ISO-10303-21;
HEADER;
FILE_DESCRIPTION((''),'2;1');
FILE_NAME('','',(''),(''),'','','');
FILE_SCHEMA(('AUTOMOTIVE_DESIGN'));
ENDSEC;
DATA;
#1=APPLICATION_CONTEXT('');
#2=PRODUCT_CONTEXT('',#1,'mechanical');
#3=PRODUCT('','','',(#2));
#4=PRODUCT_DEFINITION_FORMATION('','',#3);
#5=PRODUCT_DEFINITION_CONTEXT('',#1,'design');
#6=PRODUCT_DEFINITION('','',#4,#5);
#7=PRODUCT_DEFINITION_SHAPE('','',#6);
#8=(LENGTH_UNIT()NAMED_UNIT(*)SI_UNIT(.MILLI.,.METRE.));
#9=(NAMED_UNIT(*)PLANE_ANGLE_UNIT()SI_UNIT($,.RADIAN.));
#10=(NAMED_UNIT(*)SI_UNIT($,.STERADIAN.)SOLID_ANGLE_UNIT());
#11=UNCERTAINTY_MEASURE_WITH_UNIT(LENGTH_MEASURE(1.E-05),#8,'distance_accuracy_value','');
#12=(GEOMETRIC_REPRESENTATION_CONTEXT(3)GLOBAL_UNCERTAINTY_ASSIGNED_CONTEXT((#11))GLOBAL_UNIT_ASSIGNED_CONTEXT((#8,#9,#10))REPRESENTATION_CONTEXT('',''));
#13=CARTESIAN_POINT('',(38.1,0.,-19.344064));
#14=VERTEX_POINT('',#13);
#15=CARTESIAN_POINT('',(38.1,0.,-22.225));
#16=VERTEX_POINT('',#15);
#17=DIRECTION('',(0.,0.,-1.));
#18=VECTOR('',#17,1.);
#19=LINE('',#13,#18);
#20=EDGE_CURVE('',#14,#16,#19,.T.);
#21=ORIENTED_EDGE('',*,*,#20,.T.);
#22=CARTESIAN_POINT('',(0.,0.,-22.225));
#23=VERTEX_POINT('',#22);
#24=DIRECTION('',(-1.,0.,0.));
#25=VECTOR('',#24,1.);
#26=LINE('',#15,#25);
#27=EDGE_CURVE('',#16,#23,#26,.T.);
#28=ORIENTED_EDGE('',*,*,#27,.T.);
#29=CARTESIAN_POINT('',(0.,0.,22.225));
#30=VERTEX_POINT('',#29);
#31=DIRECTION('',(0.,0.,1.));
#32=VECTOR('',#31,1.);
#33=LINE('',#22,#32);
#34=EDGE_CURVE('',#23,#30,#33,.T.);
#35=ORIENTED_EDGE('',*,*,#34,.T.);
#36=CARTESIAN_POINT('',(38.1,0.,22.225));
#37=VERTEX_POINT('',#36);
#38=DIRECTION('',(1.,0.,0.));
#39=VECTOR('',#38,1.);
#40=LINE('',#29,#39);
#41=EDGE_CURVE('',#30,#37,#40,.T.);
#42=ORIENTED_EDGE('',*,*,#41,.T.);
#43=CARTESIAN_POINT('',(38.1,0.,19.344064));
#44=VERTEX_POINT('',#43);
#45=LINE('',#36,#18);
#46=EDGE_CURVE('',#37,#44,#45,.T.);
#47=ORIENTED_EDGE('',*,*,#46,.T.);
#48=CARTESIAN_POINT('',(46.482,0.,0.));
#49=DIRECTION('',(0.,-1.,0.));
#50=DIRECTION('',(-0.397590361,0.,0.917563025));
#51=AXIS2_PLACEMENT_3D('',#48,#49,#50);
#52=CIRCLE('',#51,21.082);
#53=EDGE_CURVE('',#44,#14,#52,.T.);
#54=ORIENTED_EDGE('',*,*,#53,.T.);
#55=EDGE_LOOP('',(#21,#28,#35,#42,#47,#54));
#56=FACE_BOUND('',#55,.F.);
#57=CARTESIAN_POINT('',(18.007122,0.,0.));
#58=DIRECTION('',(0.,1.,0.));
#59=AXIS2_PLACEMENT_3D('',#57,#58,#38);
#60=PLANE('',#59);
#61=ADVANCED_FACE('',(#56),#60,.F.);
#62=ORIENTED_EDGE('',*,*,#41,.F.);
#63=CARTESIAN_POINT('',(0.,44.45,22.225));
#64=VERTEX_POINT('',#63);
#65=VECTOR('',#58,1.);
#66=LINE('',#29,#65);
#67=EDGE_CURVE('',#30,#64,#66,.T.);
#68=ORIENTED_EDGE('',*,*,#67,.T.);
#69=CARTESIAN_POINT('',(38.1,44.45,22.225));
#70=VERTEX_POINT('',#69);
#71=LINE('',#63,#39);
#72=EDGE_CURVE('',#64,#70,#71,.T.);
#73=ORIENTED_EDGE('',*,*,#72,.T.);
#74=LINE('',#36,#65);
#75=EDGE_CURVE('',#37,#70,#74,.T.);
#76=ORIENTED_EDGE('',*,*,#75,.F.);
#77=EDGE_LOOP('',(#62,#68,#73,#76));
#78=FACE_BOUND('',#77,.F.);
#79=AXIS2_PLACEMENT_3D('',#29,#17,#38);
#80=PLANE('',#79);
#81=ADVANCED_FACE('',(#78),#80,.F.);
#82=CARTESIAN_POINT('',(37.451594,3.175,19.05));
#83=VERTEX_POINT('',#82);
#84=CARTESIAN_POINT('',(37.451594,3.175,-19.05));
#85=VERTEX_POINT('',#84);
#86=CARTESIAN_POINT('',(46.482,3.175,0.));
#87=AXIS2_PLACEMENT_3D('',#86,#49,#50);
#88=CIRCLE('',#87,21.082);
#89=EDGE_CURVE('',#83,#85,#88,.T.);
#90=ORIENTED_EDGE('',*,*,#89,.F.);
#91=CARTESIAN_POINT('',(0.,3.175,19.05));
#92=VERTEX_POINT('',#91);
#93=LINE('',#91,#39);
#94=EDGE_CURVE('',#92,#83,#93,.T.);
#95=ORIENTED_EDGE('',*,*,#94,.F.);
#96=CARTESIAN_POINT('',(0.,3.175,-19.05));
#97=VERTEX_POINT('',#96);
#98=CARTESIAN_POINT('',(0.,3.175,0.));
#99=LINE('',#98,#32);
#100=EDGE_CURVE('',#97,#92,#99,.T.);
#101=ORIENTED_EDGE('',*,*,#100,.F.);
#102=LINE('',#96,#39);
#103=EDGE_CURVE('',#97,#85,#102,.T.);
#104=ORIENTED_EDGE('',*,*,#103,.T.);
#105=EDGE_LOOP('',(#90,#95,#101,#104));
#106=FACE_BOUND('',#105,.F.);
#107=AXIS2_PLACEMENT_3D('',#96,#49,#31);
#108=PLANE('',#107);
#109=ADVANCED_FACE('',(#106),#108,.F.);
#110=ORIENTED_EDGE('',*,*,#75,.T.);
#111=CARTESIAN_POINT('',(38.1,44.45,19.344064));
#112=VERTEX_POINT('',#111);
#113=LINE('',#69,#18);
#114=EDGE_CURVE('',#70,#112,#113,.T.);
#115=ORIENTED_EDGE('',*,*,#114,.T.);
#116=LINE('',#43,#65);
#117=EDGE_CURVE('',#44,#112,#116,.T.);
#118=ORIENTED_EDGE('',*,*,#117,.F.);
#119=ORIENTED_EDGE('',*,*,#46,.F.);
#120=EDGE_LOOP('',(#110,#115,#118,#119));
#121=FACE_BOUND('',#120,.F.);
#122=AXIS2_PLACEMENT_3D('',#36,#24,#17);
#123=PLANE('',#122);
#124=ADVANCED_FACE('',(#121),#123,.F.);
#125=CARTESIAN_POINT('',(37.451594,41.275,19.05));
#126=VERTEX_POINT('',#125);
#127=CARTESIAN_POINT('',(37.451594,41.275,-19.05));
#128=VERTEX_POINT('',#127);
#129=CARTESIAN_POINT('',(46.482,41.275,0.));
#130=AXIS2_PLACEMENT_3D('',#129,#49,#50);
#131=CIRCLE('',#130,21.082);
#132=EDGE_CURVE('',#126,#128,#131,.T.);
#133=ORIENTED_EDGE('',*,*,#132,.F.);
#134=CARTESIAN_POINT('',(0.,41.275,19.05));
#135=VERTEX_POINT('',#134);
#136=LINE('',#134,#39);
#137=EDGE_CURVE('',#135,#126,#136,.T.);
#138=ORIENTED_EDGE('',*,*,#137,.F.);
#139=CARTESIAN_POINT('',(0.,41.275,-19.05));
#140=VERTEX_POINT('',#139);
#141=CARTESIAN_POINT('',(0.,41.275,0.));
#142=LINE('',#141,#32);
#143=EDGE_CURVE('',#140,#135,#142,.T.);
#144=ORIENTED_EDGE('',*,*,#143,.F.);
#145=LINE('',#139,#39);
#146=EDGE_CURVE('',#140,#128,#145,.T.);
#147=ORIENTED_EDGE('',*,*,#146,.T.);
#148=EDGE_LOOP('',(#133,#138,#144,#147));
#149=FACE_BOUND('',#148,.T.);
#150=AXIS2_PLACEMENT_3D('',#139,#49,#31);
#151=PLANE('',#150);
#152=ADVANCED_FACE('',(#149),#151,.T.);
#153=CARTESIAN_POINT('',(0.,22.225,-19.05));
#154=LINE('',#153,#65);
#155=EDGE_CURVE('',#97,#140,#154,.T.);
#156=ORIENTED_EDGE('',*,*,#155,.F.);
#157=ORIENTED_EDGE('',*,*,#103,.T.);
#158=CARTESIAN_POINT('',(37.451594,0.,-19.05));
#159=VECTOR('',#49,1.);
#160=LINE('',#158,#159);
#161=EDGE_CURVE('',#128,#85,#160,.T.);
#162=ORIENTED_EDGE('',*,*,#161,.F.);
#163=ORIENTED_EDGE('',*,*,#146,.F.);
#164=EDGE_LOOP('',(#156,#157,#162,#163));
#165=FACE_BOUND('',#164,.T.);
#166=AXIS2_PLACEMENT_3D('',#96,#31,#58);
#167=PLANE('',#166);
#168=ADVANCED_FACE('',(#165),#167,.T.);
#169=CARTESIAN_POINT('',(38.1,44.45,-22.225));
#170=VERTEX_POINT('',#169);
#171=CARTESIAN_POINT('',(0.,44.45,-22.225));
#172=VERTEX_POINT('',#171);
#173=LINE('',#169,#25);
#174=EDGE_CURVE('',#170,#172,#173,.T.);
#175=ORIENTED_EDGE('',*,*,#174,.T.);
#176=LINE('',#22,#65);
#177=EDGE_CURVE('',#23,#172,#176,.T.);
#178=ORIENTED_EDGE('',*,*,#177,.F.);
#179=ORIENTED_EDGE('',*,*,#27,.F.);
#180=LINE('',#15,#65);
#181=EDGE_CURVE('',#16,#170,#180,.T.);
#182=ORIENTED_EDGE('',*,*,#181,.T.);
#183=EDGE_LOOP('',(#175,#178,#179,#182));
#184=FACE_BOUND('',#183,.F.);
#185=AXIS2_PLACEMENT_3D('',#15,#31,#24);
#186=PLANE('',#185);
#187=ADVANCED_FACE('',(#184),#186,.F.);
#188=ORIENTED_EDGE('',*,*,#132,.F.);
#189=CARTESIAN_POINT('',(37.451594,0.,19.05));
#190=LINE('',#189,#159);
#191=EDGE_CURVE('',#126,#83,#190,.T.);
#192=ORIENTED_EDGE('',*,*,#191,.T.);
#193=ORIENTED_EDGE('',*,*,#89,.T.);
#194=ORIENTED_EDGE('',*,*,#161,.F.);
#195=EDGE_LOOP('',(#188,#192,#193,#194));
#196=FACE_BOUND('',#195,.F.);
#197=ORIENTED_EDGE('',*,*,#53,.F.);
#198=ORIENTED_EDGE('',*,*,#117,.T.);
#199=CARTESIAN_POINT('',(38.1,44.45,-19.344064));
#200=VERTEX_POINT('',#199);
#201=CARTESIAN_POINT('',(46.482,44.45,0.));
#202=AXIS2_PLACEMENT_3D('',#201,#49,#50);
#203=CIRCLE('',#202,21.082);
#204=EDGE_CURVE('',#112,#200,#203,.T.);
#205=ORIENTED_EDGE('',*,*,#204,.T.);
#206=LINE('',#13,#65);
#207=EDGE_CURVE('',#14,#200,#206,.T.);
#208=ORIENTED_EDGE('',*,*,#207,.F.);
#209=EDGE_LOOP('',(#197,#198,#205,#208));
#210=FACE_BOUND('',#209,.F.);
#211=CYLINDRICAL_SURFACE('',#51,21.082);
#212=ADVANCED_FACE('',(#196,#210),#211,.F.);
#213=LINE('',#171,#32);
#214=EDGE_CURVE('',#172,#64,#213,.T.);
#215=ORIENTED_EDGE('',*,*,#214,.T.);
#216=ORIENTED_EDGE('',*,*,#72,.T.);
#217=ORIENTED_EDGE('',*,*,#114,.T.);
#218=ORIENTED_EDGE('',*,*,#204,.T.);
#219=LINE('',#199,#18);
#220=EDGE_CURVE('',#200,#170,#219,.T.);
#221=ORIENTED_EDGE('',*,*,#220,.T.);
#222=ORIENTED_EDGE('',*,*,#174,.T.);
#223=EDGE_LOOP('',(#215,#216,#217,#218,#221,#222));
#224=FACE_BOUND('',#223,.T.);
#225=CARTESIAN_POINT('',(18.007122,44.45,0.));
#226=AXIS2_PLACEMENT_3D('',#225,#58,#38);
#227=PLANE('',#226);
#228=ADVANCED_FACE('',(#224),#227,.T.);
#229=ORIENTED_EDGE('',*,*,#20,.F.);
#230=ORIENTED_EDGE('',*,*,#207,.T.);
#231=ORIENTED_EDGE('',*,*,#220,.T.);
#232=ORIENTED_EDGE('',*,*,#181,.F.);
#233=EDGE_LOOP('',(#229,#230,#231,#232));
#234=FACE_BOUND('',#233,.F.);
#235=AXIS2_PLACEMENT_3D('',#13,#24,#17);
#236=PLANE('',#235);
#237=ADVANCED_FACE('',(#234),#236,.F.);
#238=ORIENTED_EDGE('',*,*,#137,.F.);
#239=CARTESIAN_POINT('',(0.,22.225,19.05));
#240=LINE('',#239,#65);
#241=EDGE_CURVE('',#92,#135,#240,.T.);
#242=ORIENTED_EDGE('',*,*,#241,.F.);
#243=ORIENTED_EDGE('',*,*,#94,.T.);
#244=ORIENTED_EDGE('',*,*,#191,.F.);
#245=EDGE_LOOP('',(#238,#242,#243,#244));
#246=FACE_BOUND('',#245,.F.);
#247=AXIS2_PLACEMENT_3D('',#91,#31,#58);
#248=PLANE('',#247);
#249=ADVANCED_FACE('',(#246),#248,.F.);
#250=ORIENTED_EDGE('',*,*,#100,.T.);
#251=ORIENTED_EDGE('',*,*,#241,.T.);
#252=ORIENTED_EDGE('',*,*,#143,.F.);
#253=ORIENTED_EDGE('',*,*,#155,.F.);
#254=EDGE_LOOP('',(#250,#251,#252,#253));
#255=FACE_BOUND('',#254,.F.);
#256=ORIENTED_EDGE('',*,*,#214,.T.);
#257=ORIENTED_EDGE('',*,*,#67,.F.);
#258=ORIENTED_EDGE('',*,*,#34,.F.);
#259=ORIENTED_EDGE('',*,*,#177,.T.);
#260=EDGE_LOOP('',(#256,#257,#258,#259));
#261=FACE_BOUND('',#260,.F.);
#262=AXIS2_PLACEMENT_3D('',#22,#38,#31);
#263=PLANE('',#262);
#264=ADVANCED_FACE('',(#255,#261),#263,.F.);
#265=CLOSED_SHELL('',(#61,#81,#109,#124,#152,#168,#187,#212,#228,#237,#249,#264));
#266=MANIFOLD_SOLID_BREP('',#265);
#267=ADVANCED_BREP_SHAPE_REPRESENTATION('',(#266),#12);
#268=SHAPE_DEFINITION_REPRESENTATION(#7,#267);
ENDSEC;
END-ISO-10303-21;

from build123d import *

# Parameters (mm, degrees)
BOSS_EXTRUDE1_DEPTH = 44.45
SKETCH2_W           = 38.1
SKETCH2_H           = 38.1
CUT_EXTRUDE1_DEPTH  = 39.1


with BuildPart() as part:
    # Sketch1 → Boss-Extrude1 (new body)
    with BuildSketch(Plane(origin=(0, 0, 0), x_dir=(1, 0, 0), z_dir=(0, 1, 0))):
        with BuildLine():
            Line((0, 22.225), (0, -22.225))
            Line((0, -22.225), (38.1, -22.225))
            Line((38.1, -22.225), (38.1, -19.344063689))
            ThreePointArc((38.1, -19.344063689), (25.4, 0), (38.1, 19.344063689))
            Line((38.1, 19.344063689), (38.1, 22.225))
            Line((38.1, 22.225), (0, 22.225))
        make_face()
    extrude(amount=BOSS_EXTRUDE1_DEPTH)

    # Sketch2 → Cut-Extrude1 (cut, through all)
    with BuildSketch(Plane.ZY):
        with Locations((0, 22.225)):
            Rectangle(SKETCH2_W, SKETCH2_H)
    extrude(amount=-CUT_EXTRUDE1_DEPTH, mode=Mode.SUBTRACT)


solid = part.part
